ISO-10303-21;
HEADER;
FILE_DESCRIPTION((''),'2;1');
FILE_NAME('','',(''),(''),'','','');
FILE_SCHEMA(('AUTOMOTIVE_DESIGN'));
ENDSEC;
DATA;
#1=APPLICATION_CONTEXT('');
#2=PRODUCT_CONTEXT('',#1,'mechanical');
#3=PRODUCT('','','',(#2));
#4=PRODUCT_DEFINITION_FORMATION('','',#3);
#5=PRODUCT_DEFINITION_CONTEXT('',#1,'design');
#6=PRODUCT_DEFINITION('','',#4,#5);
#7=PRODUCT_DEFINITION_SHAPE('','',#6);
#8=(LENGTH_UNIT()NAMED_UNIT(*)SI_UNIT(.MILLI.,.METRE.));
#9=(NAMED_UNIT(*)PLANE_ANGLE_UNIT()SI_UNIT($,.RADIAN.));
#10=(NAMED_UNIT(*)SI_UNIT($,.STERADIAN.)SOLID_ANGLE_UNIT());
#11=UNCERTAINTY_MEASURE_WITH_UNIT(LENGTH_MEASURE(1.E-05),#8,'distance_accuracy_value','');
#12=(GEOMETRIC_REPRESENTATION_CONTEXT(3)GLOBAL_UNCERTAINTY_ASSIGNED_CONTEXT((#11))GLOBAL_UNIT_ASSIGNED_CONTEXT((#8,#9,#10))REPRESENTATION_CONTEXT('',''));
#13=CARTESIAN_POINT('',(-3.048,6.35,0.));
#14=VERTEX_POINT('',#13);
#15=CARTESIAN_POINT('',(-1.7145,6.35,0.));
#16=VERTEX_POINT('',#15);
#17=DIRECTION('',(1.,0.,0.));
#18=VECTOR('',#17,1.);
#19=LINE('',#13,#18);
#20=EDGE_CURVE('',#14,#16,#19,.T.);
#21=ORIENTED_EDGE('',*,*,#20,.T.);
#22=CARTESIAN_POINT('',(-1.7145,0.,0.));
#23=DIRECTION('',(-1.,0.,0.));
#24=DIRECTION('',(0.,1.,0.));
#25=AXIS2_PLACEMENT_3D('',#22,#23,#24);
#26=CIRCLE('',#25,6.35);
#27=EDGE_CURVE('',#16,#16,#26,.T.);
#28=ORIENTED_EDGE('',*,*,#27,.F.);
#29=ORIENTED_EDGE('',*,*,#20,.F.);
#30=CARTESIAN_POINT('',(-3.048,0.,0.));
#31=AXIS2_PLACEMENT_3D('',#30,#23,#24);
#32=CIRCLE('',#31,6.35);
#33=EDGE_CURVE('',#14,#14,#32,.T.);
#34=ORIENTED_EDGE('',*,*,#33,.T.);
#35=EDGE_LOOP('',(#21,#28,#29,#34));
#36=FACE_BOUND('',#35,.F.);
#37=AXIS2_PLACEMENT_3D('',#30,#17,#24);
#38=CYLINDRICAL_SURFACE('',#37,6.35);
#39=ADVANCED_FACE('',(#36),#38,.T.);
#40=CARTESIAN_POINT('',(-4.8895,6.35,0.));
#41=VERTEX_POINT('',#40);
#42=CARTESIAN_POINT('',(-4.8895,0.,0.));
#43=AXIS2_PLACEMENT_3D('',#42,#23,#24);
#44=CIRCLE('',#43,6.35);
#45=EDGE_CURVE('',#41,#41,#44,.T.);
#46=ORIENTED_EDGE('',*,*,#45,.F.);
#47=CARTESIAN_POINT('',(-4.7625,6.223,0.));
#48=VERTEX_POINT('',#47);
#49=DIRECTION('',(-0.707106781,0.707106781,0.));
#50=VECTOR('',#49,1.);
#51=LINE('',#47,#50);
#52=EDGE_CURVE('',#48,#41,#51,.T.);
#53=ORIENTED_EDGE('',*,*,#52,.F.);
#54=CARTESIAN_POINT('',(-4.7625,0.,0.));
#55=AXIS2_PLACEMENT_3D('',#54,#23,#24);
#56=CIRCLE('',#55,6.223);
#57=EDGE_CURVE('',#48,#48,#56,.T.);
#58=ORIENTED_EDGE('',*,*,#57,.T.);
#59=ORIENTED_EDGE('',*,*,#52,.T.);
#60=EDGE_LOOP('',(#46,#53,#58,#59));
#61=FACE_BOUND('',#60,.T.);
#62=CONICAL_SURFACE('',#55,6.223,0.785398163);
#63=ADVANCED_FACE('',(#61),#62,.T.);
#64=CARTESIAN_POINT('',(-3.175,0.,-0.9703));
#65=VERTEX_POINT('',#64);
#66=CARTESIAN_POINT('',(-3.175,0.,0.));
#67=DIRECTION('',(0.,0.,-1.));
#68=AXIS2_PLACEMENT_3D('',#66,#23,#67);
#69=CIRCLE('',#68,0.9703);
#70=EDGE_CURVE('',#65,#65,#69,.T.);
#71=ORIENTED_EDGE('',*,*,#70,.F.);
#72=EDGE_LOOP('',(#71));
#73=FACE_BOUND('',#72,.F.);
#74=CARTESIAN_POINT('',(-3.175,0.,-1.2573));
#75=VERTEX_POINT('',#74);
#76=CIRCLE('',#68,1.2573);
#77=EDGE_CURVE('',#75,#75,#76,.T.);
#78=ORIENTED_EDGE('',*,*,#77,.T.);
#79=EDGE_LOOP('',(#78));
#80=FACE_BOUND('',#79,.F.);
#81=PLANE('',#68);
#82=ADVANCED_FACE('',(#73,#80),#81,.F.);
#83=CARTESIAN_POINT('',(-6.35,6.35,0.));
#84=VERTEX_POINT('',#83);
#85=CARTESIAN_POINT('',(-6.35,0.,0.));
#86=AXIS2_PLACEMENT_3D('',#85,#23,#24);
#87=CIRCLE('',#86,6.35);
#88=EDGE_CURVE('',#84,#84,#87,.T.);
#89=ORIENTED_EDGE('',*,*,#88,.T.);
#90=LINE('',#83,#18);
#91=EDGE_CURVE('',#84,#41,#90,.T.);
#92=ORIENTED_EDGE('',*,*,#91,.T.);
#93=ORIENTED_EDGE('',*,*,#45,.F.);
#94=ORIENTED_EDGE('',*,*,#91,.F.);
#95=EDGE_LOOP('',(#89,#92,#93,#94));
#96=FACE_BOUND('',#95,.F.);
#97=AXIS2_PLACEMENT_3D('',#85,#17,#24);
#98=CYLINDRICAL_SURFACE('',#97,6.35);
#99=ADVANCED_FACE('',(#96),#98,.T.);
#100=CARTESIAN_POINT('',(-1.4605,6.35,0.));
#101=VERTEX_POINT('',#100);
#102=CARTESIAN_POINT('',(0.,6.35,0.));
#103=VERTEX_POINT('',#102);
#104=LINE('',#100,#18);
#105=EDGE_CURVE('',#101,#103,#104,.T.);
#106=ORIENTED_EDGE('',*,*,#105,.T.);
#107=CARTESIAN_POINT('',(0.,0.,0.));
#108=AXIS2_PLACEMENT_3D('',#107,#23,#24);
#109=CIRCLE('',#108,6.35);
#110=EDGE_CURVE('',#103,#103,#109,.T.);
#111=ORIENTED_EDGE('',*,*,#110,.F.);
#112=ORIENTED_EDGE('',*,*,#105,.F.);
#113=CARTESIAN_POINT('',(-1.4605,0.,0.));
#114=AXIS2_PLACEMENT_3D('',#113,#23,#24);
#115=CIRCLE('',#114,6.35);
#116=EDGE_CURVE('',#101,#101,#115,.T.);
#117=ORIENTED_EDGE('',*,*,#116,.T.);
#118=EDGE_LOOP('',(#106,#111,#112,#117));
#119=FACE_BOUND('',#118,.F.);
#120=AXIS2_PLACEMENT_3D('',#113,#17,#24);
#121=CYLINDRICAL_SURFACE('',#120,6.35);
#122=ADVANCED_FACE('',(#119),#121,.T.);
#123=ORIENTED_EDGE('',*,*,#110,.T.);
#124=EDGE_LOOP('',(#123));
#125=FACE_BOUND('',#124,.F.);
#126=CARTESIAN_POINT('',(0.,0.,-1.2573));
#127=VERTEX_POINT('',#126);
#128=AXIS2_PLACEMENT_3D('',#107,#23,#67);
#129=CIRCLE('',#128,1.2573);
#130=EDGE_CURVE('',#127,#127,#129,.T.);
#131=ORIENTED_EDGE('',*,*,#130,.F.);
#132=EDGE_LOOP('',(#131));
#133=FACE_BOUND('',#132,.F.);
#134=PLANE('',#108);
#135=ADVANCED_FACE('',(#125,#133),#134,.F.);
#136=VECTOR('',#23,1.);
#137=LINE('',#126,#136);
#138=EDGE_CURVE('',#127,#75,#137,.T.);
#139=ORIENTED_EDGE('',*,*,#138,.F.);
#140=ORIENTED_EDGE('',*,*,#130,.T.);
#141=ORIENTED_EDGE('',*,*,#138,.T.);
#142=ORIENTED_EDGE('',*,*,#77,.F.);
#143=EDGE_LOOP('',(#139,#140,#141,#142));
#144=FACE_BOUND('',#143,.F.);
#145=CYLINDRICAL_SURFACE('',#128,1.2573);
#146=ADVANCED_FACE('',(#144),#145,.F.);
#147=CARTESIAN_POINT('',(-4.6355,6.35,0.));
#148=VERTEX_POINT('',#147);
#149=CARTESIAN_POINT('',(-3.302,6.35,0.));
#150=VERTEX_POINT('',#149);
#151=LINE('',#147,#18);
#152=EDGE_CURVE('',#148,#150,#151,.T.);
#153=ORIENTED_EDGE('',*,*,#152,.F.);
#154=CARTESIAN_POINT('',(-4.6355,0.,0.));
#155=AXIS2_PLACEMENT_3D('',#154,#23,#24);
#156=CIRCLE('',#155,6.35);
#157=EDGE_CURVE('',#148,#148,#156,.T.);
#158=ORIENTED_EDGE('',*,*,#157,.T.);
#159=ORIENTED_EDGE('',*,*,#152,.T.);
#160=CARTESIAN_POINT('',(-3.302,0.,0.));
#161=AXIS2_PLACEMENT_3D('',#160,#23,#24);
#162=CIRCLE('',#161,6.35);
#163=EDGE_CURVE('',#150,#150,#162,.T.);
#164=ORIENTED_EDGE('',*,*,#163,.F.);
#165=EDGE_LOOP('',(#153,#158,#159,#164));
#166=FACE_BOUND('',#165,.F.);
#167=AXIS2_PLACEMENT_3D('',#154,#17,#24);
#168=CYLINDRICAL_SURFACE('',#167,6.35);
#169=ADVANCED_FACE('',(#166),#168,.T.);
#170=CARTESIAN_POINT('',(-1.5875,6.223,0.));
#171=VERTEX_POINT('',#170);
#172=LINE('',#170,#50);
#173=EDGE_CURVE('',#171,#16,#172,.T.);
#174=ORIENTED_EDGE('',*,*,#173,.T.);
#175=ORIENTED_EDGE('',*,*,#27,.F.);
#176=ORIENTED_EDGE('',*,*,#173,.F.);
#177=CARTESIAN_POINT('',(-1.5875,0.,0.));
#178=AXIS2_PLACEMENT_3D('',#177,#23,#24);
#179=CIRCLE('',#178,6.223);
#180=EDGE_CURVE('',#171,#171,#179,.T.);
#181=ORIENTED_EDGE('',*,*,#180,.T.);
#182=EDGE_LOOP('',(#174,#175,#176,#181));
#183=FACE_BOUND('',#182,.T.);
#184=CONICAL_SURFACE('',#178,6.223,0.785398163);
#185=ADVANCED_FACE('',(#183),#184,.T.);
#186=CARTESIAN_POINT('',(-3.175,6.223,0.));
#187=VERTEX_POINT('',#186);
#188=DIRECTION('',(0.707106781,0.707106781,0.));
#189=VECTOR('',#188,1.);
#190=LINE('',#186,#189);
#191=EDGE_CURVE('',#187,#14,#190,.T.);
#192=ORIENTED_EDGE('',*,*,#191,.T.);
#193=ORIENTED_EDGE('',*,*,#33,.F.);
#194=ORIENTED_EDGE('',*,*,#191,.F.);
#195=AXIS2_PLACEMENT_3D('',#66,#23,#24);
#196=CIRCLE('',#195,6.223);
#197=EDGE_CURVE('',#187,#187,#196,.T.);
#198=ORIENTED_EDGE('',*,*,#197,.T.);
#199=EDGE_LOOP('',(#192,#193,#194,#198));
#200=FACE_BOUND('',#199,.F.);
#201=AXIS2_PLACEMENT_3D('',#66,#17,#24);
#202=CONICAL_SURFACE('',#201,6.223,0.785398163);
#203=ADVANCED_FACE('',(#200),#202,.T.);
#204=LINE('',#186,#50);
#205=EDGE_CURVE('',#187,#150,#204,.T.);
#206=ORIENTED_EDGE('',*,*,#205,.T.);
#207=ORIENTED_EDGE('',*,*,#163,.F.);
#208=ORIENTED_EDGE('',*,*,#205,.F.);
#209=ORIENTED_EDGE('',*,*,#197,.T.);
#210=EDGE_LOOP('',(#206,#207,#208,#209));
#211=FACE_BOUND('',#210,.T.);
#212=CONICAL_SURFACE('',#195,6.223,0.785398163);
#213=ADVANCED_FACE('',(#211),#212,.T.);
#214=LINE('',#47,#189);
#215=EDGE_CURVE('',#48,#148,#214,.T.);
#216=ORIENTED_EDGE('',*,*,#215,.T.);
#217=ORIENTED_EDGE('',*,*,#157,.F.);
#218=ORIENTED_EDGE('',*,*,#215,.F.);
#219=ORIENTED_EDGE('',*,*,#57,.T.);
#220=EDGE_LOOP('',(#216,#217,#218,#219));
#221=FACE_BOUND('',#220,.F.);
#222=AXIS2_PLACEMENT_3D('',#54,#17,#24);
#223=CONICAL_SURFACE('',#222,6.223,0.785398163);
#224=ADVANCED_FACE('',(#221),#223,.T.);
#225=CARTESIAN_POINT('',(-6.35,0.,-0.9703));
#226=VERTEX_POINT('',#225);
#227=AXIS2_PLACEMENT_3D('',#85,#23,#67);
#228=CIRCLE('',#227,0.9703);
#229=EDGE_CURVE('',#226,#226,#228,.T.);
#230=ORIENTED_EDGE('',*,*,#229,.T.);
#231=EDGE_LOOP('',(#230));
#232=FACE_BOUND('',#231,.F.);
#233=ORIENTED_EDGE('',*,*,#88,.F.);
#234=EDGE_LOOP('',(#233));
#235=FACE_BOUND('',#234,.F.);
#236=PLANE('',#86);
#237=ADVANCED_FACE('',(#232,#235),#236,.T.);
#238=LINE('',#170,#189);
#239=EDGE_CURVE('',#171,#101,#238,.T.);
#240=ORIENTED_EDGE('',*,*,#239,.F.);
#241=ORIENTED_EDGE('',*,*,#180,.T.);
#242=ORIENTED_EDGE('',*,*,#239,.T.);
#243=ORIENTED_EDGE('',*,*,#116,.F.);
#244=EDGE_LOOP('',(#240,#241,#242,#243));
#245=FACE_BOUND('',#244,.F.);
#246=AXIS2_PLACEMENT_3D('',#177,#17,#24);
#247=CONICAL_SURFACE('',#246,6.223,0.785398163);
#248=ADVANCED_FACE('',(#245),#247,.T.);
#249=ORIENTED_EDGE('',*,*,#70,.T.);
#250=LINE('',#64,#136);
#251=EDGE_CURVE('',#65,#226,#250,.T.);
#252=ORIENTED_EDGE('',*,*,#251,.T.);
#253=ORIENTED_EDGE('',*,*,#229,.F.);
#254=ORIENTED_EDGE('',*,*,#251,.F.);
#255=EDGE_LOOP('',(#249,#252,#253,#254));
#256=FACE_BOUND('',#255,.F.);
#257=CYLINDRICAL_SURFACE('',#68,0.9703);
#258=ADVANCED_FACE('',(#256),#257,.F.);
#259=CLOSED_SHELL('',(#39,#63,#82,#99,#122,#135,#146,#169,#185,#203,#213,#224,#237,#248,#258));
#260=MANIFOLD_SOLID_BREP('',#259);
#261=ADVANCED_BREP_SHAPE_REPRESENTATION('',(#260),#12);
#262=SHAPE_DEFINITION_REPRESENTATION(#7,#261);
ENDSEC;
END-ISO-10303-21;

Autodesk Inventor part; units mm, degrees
ref_plane "YZ Plane" through (0, 0, 0) normal (1, 0, 0) x (0, 1, 0)
ref_plane "XZ Plane" through (0, 0, 0) normal (0, 1, 0) x (-1, 0, 0)
ref_plane "XY Plane" through (0, 0, 0) normal (0, 0, 1) x (1, 0, 0)
sketch "Boceto1" plane through (0, 0, 0) normal (0, 0, 1) x (1, 0, 0)
  line L0 (0, 0) -> (-6.35, 0)
  line L1 (-6.35, 0) -> (-6.35, 6.35)
  line L2 (0, 6.35) -> (0, 0)
  line L3 (-4.7625, 6.223) -> (-4.6355, 6.35)
  line L4 (-4.7625, 6.223) -> (-4.5829, 6.223) construction
  line L5 (-4.7625, 6.223) -> (-4.8895, 6.35)
  line L6 (-4.7625, 6.223) -> (-4.5829, 6.223) construction
  line L7 (-3.175, 6.223) -> (-3.048, 6.35)
  line L8 (-3.175, 6.223) -> (-2.9954, 6.223) construction
  line L9 (-3.175, 6.223) -> (-3.302, 6.35)
  line L10 (-3.175, 6.223) -> (-2.9954, 6.223) construction
  line L11 (-1.5875, 6.223) -> (-1.4605, 6.35)
  line L12 (-1.5875, 6.223) -> (-1.4079, 6.223) construction
  line L13 (-1.5875, 6.223) -> (-1.7145, 6.35)
  line L14 (-1.5875, 6.223) -> (-1.4079, 6.223) construction
  line L15 (-6.35, 6.35) -> (-4.8895, 6.35)
  line L16 (-4.6355, 6.35) -> (-3.302, 6.35)
  line L17 (-3.048, 6.35) -> (-1.7145, 6.35)
  line L18 (-1.4605, 6.35) -> (0, 6.35)
  dimension "d0" = 6.35
  dimension "d1" = 6.35
  dimension "d3" = 1.5875
  dimension "d6" = 1.5875
  dimension "d7" = 1.5875
  dimension "d20" = 0.127
revolve "Revolución1" add sketch "Boceto1" angle 360 about axis through (0, 0, 0) along (-1, 0, 0)
sketch "Boceto2" plane through (0, 0, 0) normal (1, 0, 0) x (0, 0, -1)
  point P0 (0, 0)
  point P1 (0, 0)
hole "Agujero1" at (0, 0, 0) direction (-1, 0, 0) diameter 1.9406 end through all counterbore diameter 2.5146 counterbore depth 3.175 thread size "3-48 UNC" class "2B" standard "ANSI Unified Screw Threads"
equation "\"d7\" = d6"
properties part number "Piston" material "Latón, amarillo claro"
